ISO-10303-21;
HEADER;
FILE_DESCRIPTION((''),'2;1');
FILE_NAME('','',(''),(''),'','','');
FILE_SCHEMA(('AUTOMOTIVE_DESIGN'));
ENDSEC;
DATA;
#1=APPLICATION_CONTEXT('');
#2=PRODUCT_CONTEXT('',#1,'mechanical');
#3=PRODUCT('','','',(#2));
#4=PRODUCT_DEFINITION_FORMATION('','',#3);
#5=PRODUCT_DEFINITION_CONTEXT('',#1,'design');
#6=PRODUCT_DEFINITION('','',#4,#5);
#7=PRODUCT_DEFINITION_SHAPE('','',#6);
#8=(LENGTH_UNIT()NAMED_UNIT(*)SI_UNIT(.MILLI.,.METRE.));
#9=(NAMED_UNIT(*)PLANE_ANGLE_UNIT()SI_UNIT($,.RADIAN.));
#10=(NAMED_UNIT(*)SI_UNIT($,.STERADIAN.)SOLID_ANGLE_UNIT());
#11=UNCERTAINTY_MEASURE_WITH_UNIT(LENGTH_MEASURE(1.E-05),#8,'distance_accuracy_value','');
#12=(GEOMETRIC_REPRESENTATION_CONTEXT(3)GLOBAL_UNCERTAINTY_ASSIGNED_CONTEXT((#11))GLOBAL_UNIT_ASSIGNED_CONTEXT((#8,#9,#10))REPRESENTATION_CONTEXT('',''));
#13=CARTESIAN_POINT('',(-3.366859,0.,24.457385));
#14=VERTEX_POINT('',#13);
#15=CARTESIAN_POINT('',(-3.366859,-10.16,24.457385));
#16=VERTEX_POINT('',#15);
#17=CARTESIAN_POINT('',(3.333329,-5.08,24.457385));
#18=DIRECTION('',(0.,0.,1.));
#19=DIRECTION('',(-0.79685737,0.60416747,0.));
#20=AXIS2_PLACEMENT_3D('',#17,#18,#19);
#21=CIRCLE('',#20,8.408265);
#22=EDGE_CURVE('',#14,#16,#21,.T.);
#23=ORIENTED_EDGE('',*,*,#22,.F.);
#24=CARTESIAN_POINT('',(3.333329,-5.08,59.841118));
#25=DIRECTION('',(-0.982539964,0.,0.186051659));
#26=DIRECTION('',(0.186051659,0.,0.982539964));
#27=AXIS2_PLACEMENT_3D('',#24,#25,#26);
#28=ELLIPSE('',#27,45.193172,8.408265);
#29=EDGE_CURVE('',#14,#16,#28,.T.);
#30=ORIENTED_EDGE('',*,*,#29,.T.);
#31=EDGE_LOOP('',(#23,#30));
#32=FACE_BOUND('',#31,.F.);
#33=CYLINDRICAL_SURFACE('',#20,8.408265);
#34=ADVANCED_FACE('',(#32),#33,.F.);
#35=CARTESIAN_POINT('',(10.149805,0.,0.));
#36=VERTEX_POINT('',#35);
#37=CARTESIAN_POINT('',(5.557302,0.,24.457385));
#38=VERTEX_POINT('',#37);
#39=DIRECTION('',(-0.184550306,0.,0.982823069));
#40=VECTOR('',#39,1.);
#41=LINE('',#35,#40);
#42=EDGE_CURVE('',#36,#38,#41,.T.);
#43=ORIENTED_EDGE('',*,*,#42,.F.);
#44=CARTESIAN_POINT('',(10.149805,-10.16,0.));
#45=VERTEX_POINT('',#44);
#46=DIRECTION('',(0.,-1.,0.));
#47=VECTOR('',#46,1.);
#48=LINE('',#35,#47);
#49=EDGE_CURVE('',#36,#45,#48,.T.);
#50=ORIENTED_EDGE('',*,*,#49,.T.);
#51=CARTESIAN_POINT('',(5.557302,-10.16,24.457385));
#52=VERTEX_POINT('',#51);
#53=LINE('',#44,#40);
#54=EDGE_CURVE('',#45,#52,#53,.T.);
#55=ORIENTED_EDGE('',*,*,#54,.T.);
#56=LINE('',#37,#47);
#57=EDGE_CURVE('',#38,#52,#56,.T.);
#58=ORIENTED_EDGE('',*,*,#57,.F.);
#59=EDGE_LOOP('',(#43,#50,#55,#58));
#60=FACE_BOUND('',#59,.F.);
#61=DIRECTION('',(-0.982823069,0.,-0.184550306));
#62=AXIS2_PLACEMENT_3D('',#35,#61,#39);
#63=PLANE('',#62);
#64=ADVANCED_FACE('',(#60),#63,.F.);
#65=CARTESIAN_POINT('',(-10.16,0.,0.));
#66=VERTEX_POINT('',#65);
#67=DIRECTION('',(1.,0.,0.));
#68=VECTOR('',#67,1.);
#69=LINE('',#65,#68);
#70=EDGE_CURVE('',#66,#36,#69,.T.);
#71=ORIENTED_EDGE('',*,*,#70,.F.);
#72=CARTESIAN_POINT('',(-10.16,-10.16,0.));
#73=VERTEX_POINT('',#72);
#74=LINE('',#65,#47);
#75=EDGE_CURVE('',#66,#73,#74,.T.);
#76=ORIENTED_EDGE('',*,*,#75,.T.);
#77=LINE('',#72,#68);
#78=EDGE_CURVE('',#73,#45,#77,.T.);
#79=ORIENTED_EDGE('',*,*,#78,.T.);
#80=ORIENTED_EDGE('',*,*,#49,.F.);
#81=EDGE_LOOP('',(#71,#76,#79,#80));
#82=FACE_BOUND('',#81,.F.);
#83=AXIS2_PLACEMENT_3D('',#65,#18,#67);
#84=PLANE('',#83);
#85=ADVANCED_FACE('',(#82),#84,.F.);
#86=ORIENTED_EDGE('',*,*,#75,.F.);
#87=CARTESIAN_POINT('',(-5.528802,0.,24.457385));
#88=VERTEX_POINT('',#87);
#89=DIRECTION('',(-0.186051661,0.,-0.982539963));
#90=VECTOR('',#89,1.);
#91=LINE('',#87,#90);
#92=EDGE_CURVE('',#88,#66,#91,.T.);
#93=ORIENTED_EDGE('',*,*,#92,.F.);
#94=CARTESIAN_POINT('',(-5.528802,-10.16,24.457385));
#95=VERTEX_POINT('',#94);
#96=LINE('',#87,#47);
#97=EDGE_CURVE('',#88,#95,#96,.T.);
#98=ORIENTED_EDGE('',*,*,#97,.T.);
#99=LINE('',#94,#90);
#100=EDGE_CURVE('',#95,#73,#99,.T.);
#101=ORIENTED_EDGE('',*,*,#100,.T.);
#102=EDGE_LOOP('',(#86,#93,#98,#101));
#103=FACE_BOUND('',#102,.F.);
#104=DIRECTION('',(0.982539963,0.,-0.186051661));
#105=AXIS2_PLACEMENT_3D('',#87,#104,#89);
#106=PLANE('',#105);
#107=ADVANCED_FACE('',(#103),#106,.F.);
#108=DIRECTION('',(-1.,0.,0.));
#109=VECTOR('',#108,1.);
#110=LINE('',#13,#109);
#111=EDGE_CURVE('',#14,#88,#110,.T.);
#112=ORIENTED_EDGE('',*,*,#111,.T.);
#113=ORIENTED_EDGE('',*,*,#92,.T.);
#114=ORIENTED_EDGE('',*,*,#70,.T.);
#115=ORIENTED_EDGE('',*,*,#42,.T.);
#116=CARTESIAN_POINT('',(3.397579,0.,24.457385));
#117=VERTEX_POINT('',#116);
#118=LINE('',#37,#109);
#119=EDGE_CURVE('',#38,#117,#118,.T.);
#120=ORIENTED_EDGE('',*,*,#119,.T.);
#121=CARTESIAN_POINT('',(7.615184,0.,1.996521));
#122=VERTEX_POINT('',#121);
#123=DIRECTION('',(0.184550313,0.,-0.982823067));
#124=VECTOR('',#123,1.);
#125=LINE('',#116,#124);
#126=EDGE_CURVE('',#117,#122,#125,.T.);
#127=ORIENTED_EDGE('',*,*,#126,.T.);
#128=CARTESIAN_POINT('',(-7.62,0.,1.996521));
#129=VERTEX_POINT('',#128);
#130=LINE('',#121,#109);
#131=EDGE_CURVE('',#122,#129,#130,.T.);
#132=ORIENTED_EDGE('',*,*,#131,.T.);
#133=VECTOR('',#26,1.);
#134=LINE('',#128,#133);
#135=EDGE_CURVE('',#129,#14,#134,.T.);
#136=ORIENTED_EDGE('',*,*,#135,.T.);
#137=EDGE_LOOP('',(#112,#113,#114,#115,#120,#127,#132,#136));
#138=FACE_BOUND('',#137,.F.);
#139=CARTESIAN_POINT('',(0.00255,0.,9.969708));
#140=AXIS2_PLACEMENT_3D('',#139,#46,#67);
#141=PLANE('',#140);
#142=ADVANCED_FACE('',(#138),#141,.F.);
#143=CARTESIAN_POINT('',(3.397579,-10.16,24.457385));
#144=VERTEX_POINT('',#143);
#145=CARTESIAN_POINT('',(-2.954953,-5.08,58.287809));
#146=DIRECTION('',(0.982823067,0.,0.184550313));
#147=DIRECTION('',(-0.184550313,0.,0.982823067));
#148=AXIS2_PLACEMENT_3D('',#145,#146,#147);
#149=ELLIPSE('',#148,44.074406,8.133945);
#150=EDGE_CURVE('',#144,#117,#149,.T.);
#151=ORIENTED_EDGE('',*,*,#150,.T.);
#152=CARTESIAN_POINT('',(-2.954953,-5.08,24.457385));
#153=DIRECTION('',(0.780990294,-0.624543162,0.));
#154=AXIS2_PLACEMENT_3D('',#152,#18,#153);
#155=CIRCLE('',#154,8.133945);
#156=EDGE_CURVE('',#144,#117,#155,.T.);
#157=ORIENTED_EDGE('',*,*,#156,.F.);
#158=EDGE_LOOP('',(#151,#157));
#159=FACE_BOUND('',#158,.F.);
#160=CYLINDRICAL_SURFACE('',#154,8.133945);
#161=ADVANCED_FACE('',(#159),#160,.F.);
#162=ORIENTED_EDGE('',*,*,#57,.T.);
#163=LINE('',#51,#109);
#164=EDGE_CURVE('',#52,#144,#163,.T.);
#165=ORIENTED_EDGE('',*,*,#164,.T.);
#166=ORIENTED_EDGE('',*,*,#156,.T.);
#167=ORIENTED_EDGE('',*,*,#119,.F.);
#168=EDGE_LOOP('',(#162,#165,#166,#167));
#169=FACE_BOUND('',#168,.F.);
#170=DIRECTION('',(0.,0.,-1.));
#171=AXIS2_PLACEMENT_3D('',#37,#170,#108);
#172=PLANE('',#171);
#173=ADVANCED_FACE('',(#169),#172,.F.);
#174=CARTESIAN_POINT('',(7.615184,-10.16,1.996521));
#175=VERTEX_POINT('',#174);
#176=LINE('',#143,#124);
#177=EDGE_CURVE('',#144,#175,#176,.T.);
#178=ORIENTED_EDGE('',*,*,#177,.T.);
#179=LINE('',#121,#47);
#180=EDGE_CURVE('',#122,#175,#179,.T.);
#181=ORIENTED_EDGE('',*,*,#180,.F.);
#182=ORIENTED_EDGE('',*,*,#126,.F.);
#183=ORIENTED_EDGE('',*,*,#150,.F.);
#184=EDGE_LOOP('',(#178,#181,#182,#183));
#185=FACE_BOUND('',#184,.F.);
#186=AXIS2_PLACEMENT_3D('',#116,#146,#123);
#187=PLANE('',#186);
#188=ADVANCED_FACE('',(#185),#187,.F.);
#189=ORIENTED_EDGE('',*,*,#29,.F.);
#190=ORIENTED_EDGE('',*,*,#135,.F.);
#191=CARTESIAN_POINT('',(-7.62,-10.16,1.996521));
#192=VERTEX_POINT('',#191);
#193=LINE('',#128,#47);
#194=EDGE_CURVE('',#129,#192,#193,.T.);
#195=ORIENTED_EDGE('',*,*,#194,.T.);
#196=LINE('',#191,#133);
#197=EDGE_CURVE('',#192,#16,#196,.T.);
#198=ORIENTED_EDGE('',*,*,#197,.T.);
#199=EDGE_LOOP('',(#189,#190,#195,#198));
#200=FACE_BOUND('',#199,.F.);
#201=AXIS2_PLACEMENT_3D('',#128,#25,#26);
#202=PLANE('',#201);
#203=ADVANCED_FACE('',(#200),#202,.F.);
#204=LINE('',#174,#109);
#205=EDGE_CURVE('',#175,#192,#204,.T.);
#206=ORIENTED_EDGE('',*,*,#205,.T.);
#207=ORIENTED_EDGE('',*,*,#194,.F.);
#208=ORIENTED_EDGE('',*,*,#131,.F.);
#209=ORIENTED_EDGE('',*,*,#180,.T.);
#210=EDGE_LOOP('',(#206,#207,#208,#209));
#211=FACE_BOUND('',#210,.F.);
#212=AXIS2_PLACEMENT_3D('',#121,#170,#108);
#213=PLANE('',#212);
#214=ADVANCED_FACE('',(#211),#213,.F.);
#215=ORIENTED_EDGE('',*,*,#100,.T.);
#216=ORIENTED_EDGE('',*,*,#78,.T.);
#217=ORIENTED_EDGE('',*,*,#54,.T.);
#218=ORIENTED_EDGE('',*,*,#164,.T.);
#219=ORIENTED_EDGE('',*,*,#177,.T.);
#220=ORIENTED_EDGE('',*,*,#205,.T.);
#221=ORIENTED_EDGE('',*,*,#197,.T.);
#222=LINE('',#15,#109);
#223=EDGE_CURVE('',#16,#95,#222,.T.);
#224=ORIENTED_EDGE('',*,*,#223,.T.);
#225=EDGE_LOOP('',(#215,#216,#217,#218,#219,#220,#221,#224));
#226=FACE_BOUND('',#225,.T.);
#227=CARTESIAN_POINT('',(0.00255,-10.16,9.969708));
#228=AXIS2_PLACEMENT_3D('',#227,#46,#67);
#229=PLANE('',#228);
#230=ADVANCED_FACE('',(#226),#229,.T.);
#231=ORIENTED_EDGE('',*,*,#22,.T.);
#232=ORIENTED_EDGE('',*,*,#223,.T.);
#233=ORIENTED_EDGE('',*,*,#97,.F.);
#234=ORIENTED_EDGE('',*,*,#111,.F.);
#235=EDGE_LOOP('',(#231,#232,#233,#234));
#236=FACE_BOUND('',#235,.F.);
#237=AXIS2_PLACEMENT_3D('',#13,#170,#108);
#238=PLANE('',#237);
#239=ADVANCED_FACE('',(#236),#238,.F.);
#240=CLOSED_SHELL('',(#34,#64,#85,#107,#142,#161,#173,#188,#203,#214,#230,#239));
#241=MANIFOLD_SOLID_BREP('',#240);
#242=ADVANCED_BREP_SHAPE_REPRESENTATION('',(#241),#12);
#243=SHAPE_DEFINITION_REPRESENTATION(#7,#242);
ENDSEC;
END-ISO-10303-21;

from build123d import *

# Parameters (mm, degrees)
F1_DEPTH = 10.16
F3_DEPTH = 20.32
F5_DEPTH = 20.32


with BuildPart() as f1:
    # F0 (on Front) → F1 (new body)
    with BuildSketch(Plane.XZ):
        Polygon((-10.16, 0), (0, 0), (10.149805, 0), (5.557302, 24.457385), (3.397579, 24.457385), (7.615184, 1.996521), (0, 1.996521), (-7.62, 1.996521), (-3.366859, 24.457385), (-5.528802, 24.457385), align=None)
    extrude(amount=F1_DEPTH)

    # F2 (on face) → F3 (cut)
    with BuildSketch(Plane.XY.offset(24.457385)):
        with BuildLine():
            Line((-3.366859, -10.16), (-3.366859, 0))
            ThreePointArc((-3.366859, 0), (-5.074936, -5.08), (-3.366859, -10.16))
        make_face()
    extrude(amount=-F3_DEPTH, mode=Mode.SUBTRACT)

    # F4 (on face) → F5 (cut)
    with BuildSketch(Plane.XY.offset(24.457385)):
        with BuildLine():
            Line((3.397579, 0), (3.397579, -10.16))
            ThreePointArc((3.397579, -10.16), (5.178992, -5.08), (3.397579, 0))
        make_face()
    extrude(amount=-F5_DEPTH, mode=Mode.SUBTRACT)


solid = f1.part
